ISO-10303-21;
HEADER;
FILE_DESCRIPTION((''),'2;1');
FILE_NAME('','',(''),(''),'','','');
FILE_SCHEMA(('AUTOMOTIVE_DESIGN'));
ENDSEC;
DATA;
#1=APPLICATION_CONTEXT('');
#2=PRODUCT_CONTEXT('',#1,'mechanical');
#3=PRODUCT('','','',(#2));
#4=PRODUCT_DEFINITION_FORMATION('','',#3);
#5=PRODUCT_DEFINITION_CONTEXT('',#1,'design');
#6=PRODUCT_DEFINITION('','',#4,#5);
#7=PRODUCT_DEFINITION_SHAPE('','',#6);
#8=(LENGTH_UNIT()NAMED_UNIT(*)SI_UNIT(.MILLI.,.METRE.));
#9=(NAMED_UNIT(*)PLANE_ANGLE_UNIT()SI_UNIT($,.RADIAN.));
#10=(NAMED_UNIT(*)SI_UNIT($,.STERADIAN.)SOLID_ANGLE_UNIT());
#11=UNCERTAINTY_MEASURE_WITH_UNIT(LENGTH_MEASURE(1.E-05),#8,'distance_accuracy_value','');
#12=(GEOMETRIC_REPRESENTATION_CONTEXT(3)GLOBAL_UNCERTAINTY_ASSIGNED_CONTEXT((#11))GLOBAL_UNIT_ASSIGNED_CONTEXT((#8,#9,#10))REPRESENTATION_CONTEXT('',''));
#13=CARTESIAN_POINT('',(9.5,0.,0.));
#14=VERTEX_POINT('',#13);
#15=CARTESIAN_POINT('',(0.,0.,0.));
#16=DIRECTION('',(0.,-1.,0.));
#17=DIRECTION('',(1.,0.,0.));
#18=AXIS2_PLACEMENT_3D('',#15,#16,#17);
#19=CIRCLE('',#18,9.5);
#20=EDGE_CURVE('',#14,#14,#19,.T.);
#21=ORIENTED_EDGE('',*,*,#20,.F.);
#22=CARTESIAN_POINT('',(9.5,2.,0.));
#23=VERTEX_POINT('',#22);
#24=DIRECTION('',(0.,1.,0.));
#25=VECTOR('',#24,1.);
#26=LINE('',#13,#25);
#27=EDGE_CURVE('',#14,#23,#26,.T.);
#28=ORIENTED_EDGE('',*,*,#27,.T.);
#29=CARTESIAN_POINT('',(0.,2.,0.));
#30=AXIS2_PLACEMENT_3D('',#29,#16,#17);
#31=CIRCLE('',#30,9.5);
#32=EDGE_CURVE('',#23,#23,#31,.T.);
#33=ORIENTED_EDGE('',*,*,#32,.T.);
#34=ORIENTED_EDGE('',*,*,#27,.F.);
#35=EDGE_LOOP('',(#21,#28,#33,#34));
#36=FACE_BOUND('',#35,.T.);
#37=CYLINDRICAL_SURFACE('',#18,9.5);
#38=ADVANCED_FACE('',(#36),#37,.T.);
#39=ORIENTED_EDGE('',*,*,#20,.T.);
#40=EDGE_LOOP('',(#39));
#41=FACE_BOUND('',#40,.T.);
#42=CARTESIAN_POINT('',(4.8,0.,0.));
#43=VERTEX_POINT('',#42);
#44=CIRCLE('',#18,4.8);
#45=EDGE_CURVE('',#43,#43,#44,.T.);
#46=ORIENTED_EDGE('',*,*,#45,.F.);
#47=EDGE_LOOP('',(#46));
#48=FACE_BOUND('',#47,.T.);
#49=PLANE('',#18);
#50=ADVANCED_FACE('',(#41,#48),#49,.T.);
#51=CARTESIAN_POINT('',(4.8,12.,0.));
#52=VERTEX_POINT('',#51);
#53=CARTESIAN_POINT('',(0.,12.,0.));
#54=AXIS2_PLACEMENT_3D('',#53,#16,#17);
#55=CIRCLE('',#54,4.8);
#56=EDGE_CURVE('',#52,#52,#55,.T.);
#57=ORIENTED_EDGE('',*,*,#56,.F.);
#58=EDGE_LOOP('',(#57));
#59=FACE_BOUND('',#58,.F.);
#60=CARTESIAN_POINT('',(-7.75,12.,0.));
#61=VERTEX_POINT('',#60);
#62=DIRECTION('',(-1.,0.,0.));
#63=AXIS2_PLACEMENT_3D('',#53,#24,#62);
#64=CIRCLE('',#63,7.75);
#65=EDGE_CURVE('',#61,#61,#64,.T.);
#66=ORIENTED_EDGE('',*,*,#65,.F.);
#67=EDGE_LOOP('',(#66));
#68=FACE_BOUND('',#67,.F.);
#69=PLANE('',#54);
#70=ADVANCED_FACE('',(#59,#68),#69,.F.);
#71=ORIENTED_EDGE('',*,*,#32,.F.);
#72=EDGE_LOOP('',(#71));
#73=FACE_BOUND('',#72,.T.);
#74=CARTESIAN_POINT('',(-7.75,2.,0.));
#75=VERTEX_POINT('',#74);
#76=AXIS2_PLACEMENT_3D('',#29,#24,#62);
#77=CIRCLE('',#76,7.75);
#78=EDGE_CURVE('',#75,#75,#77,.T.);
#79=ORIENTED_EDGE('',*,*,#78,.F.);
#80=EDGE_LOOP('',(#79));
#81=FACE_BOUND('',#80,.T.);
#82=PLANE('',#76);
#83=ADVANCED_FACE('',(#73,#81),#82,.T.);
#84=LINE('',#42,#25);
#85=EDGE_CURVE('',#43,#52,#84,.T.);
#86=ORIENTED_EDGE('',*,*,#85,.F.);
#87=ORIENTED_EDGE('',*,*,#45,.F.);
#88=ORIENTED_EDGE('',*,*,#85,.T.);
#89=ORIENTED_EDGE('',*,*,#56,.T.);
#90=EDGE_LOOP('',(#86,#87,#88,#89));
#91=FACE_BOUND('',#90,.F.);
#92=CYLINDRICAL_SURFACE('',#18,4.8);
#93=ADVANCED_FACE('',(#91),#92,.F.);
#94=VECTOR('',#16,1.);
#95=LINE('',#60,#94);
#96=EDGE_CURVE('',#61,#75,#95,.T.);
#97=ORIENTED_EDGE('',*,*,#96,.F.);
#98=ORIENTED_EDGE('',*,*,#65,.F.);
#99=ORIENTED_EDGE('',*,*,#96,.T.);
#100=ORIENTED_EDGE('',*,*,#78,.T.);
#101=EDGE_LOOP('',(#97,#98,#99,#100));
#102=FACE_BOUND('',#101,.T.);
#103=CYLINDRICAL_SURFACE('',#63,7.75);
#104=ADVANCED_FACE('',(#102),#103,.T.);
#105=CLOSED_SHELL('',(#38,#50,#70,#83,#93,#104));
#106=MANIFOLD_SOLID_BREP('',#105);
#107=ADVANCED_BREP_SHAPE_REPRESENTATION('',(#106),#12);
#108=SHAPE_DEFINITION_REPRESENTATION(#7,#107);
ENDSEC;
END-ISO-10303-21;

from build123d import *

# Parameters (mm, degrees)
F0_R     = 9.5
F0_R_2   = 4.8
F1_DEPTH = 12
F2_R     = 9.5
F2_R_2   = 7.75
F3_DEPTH = 10


with BuildPart() as f1:
    # F0 (on Front) → F1 (new body)
    with BuildSketch(Plane.XZ):
        Circle(F0_R)
        Circle(F0_R_2, mode=Mode.SUBTRACT)
    extrude(amount=-F1_DEPTH)

    # F2 (on face) → F3 (cut)
    with BuildSketch(Plane(origin=(0, 12, 0), x_dir=(-1, 0, 0), z_dir=(0, 1, 0))):
        Circle(F2_R)
        Circle(F2_R_2, mode=Mode.SUBTRACT)
    extrude(amount=-F3_DEPTH, mode=Mode.SUBTRACT)


solid = f1.part
